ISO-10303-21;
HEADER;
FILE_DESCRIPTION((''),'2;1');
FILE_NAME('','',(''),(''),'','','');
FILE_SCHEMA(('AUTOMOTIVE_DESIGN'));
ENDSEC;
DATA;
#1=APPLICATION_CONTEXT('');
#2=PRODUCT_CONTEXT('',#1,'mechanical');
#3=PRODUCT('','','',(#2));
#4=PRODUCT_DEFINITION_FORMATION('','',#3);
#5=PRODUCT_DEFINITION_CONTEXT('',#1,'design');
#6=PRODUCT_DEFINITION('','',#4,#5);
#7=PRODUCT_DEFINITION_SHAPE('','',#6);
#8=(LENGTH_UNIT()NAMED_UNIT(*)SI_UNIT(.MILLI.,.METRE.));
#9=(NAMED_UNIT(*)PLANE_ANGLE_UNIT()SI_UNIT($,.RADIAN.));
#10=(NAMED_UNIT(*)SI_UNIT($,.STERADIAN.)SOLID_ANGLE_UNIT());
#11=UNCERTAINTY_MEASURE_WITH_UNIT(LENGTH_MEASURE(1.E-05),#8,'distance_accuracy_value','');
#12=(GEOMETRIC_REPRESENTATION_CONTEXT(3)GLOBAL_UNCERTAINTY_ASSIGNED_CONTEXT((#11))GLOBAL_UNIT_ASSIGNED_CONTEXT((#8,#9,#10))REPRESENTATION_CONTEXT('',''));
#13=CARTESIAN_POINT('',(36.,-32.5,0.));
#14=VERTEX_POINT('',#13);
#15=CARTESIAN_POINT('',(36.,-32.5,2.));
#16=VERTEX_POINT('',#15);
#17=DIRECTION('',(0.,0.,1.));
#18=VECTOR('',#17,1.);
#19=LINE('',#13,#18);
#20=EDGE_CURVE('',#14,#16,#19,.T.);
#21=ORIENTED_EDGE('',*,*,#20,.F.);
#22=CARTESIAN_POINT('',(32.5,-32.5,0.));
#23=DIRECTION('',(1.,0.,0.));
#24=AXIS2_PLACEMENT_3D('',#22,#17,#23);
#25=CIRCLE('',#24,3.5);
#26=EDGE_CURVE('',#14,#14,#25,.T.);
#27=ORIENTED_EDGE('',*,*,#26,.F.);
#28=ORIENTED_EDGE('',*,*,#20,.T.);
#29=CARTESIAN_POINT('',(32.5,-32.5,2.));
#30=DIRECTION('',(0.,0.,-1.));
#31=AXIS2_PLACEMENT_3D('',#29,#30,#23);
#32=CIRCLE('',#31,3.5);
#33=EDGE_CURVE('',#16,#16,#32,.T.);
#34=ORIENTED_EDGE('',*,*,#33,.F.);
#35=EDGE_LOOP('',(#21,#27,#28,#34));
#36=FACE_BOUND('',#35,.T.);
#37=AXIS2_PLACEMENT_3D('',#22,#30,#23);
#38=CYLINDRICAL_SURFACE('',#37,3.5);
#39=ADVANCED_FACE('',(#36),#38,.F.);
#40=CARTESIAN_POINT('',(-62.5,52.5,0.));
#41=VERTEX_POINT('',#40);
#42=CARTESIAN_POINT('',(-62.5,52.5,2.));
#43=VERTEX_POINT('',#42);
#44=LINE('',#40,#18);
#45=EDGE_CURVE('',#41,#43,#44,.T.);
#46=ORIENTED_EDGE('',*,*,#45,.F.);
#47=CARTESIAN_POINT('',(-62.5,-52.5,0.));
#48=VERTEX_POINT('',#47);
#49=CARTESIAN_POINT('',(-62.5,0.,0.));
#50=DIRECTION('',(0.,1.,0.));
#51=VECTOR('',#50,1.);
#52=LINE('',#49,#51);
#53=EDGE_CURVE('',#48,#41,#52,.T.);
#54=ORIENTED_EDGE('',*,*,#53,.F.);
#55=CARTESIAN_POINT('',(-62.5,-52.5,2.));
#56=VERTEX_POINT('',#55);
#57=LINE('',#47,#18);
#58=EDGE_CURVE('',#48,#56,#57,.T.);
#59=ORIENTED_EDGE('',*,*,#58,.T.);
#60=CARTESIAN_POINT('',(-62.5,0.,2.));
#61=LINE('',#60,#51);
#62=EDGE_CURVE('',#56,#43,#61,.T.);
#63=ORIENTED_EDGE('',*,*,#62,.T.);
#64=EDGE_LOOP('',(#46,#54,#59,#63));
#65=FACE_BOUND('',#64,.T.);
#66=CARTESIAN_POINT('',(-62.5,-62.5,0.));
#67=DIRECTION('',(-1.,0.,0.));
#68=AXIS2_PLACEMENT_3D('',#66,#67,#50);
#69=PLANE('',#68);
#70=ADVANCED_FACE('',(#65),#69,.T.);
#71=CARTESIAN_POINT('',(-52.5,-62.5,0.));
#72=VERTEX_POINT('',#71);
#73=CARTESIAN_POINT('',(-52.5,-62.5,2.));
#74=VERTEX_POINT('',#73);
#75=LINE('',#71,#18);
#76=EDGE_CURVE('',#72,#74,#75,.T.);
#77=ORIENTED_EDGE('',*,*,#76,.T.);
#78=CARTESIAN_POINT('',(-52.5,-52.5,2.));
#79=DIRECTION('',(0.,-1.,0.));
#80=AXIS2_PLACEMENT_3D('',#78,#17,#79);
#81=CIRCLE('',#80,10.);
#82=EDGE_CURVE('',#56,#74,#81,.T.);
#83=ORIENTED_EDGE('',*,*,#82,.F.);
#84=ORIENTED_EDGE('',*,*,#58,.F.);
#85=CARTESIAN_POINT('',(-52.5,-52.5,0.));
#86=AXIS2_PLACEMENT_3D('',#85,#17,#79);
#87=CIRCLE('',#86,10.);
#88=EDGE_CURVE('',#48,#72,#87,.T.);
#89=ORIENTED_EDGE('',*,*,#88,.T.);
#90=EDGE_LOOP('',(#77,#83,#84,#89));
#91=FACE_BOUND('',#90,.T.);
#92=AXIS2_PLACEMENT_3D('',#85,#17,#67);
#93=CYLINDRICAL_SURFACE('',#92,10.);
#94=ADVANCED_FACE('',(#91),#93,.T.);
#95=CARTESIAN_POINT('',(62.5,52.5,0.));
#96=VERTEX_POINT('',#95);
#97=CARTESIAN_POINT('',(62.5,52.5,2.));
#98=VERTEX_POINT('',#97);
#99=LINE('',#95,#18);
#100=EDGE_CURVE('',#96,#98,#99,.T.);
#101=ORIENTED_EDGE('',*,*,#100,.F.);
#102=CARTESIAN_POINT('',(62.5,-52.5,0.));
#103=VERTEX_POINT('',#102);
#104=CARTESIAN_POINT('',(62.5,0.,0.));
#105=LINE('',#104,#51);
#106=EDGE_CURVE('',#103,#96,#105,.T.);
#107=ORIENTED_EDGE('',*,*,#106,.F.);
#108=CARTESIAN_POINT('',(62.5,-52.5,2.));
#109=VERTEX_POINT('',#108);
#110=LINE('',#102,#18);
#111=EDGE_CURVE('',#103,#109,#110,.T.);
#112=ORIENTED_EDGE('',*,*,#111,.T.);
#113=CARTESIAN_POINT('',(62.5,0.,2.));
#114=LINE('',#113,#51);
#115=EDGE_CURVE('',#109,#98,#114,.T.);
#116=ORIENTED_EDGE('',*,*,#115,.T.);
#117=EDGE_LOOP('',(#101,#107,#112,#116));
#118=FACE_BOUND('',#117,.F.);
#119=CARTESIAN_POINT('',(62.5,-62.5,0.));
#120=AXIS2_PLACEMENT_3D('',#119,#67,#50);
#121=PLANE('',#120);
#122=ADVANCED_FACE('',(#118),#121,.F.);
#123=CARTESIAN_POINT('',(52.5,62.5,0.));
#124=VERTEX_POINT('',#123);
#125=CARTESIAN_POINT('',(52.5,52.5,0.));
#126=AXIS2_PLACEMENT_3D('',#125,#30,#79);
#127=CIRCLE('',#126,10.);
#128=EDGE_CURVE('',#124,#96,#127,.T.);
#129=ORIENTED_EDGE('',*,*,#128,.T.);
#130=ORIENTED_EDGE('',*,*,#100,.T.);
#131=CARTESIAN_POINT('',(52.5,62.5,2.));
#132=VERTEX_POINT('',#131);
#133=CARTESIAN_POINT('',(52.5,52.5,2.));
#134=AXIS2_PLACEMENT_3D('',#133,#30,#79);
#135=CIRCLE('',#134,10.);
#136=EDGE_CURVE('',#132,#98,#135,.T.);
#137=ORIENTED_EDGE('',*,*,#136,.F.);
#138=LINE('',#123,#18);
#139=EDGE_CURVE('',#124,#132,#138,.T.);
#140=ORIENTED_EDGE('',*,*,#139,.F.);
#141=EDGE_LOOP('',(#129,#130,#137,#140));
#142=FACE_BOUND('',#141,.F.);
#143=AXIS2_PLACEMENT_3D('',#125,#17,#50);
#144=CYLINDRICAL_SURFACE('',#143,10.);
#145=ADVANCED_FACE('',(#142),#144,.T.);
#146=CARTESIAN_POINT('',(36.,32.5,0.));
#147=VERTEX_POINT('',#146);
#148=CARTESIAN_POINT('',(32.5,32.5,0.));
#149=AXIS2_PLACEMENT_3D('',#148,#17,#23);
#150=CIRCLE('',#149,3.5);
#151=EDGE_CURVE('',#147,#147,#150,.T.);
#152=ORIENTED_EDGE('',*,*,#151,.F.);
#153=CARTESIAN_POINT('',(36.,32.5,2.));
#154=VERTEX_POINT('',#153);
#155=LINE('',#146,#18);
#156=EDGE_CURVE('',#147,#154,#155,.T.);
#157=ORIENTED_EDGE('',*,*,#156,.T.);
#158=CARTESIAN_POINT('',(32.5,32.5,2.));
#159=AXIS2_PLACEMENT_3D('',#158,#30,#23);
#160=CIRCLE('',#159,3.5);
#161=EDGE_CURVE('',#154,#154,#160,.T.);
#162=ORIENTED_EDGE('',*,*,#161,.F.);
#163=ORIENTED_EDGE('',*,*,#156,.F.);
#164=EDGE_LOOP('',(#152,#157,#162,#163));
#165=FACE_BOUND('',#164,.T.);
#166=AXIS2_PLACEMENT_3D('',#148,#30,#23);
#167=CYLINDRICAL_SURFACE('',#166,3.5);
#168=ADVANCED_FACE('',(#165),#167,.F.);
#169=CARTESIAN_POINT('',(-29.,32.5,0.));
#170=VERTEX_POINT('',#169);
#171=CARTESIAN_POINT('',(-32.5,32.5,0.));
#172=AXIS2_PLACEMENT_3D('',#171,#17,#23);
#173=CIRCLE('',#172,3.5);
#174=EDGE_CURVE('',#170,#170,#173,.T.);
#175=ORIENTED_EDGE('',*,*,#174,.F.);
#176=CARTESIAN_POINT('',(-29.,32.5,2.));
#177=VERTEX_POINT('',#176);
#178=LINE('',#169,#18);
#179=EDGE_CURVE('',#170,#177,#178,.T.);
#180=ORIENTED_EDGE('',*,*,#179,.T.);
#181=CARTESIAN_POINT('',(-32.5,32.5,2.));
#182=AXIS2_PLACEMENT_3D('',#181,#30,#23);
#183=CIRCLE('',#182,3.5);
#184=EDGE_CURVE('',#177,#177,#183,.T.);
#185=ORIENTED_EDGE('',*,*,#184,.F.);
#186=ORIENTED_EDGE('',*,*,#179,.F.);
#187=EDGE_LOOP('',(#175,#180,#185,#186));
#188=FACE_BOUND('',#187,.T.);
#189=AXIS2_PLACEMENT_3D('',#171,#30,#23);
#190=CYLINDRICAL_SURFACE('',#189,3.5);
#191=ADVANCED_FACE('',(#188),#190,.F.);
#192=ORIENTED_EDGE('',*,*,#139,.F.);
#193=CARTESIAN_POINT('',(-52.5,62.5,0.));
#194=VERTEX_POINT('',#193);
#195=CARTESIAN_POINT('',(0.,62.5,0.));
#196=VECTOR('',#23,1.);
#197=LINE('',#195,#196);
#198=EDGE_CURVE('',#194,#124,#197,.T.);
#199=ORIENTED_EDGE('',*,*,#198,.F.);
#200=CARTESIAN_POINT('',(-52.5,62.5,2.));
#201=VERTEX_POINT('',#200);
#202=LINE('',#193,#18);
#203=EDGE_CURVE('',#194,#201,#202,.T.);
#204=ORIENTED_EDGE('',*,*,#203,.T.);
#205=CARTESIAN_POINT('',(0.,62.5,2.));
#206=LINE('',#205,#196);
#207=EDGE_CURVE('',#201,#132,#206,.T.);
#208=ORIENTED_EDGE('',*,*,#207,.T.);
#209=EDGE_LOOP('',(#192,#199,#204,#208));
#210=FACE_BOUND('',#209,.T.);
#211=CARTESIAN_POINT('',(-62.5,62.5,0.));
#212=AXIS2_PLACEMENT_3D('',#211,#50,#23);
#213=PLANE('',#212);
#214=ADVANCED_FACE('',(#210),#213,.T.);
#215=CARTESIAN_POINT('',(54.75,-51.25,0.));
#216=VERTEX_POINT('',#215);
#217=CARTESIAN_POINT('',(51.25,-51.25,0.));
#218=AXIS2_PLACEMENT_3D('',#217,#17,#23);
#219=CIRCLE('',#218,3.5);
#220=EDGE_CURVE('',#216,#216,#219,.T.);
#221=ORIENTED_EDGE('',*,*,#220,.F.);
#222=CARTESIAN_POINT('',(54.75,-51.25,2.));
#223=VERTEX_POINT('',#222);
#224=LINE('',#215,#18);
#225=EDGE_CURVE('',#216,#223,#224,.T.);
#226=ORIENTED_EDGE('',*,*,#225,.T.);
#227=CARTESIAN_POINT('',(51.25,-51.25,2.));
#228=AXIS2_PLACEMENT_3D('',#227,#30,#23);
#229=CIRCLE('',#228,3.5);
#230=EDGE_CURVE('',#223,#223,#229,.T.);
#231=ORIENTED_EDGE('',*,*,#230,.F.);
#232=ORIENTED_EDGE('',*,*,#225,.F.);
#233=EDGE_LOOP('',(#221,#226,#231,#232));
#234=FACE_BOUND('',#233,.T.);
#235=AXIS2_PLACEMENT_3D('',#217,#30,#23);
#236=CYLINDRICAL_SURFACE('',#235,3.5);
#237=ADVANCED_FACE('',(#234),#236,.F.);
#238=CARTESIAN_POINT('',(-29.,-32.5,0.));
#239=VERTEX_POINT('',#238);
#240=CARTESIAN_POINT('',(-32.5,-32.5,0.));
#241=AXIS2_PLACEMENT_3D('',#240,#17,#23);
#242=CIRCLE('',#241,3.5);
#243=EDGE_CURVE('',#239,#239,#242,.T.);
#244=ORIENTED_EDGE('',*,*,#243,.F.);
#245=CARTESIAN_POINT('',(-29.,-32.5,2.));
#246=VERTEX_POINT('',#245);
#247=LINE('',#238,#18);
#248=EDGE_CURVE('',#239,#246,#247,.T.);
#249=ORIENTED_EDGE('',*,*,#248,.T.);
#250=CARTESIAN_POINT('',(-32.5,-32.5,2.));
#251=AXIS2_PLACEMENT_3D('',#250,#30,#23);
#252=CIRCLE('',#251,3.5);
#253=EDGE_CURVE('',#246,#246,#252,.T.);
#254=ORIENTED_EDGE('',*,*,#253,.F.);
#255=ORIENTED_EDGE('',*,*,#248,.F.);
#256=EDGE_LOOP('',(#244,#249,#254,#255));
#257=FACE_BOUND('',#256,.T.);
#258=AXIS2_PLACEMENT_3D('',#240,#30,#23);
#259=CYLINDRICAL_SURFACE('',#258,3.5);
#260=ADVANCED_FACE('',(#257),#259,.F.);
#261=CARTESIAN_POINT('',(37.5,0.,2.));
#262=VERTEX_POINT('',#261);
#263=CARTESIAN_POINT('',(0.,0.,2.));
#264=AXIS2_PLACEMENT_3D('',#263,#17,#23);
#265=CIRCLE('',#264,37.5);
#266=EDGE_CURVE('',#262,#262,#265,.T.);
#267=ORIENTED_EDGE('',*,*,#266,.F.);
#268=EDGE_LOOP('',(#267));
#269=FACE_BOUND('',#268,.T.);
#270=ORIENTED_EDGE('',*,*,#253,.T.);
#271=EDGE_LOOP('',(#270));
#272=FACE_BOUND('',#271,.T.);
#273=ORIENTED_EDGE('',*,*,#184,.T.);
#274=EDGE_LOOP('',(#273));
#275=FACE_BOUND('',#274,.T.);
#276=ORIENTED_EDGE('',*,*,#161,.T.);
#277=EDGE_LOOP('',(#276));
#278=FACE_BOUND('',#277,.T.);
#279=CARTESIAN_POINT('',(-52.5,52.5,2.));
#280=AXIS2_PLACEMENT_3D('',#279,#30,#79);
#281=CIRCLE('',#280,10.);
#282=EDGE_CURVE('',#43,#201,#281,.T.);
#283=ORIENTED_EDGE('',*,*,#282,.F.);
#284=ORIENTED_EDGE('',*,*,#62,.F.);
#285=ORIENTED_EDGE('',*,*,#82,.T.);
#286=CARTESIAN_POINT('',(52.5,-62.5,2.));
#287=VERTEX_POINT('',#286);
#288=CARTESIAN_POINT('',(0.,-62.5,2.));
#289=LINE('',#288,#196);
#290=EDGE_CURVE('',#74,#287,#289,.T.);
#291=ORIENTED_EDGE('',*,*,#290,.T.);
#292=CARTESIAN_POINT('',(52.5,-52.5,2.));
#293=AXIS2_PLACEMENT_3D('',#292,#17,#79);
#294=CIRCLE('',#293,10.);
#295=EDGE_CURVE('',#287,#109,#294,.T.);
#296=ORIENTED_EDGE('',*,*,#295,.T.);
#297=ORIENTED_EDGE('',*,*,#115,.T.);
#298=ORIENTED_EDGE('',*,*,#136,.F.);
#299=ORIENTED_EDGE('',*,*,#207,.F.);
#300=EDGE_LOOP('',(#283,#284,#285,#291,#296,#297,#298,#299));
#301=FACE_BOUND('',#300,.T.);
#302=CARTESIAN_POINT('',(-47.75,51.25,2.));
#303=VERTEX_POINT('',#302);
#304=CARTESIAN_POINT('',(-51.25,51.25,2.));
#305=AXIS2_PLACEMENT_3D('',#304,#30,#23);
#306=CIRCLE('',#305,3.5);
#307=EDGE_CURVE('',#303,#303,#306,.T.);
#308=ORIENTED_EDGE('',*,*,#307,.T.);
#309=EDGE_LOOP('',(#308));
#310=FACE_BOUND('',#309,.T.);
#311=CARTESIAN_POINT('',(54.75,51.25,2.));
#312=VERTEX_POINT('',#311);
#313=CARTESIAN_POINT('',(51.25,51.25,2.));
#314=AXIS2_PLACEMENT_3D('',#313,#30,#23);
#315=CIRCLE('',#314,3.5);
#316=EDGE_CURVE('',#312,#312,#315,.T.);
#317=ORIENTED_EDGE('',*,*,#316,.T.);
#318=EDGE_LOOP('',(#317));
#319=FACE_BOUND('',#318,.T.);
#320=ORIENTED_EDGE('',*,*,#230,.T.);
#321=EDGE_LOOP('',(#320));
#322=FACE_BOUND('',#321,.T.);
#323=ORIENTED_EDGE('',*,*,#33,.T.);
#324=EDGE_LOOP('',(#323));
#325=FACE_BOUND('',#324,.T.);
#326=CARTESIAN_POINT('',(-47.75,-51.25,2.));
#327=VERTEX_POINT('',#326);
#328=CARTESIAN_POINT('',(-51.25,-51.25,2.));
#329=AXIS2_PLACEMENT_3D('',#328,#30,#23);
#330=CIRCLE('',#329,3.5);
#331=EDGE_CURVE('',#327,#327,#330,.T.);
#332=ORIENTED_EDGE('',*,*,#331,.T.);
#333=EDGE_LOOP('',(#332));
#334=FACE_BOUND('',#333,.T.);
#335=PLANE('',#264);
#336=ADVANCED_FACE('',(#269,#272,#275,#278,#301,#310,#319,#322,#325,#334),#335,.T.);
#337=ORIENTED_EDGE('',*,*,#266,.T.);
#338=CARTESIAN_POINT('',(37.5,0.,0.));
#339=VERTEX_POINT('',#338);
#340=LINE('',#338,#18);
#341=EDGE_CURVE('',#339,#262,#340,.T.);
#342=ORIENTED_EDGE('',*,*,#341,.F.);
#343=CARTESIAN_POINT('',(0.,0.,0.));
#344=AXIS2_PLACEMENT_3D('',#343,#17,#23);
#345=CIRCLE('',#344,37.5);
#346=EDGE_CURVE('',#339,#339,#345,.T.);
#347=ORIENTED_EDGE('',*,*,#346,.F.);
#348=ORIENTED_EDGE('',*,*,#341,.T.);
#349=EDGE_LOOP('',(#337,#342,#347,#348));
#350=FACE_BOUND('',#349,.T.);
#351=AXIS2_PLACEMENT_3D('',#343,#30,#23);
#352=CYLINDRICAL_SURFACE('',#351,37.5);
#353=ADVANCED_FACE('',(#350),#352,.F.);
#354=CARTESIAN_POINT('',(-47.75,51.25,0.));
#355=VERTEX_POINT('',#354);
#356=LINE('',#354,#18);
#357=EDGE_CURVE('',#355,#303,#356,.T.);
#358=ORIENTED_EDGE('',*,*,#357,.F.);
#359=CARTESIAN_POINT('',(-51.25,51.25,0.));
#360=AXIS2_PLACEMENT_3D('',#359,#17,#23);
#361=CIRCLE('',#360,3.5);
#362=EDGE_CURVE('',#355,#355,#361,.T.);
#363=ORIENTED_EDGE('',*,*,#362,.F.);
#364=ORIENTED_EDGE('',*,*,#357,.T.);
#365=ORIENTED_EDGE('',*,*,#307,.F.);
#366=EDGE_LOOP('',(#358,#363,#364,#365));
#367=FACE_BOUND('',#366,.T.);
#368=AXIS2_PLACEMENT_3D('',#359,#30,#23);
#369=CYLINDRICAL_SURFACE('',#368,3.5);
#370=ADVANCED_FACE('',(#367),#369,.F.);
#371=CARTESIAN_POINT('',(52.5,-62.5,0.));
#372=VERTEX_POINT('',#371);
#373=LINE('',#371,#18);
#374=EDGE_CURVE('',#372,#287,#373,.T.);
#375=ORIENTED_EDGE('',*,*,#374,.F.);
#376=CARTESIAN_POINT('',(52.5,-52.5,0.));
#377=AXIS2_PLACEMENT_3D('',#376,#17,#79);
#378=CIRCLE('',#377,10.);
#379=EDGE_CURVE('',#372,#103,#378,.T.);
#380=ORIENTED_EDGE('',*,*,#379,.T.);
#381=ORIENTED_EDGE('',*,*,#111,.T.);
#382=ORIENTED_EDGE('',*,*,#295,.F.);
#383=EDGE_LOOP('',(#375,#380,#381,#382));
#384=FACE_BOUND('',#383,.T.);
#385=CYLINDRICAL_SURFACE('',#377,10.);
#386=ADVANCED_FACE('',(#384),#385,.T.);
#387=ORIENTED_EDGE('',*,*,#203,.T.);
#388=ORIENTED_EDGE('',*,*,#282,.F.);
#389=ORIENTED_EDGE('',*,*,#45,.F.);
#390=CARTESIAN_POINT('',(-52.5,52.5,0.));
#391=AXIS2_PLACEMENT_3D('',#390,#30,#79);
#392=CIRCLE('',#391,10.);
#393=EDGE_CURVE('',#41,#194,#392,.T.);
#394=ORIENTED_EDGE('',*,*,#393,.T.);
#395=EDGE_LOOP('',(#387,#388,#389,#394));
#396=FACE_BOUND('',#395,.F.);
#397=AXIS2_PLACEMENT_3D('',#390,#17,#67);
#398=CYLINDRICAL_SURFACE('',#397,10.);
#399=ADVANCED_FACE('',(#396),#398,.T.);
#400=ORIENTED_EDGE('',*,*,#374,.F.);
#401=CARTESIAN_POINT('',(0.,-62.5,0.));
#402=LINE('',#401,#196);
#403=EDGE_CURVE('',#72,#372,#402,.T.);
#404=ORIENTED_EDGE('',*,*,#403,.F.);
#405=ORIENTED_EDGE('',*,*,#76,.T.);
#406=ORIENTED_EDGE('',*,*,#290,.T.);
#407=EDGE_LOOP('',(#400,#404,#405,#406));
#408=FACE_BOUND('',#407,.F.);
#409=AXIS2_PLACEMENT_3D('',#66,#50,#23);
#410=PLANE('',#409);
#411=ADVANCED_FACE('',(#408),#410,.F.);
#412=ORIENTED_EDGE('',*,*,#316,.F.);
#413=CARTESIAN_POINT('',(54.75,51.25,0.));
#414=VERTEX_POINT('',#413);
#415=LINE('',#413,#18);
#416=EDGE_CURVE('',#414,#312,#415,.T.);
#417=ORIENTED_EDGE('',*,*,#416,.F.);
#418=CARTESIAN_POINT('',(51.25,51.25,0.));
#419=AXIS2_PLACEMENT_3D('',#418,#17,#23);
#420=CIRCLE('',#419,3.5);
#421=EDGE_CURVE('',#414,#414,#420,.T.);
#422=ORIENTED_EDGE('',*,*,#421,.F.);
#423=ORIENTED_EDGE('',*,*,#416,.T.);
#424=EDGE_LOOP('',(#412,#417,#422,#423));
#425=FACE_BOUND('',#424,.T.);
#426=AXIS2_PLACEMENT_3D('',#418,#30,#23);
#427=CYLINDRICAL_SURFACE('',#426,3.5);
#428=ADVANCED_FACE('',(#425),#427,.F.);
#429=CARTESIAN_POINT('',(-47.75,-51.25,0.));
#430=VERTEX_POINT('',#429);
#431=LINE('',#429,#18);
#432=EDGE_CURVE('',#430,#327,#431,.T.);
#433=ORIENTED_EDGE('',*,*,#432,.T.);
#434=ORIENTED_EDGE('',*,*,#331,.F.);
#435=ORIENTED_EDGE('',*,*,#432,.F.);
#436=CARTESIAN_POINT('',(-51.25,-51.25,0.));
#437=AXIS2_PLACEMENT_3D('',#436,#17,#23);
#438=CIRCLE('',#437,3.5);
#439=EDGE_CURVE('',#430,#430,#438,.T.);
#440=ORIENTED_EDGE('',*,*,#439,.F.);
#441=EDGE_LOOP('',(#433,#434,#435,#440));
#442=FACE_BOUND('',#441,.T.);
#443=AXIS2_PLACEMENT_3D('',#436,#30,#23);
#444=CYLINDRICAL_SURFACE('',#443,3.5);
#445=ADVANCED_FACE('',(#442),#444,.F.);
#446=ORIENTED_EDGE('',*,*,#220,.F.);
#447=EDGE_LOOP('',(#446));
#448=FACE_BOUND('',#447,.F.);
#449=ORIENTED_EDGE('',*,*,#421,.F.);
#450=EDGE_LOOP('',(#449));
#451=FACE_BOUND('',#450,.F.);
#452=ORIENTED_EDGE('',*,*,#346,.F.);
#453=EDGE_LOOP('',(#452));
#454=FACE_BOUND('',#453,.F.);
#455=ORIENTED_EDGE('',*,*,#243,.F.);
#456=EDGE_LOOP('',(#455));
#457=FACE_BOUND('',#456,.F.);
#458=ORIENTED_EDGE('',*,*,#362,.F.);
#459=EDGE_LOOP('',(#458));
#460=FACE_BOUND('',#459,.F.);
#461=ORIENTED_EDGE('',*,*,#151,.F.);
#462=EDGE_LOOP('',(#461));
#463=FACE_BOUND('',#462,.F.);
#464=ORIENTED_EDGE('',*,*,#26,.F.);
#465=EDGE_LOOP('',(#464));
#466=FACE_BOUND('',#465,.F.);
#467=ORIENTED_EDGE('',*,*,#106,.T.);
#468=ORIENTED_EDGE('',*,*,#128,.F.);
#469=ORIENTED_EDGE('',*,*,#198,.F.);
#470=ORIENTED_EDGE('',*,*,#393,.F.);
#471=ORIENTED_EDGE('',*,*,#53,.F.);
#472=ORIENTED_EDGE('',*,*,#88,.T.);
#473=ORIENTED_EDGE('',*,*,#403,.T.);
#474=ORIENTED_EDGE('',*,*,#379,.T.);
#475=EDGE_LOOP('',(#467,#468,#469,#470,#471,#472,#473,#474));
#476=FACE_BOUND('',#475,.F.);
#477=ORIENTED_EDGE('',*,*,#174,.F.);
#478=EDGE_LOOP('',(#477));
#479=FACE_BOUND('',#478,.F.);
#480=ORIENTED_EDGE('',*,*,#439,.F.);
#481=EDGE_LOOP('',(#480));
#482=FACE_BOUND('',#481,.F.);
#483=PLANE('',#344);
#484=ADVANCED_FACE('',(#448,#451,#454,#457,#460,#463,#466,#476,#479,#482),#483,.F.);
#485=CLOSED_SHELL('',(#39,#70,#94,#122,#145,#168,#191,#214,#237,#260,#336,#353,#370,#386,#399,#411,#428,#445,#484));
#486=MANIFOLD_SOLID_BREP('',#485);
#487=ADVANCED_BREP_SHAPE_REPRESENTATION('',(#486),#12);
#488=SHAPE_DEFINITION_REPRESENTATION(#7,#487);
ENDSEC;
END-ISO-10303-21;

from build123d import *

# Parameters (mm, degrees)
F0_W     = 125
F0_H     = 125
F0_R     = 37.5
F1_DEPTH = 2
F2_R     = 3.5
F3_DEPTH = 2.001
F4_R     = 10


with BuildPart() as f1:
    # F0 (on Top) → F1 (new body)
    with BuildSketch(Plane.XY):
        Rectangle(F0_W, F0_H)
        Circle(F0_R, mode=Mode.SUBTRACT)
    extrude(amount=F1_DEPTH)

    # F2 (on Top) → F3 (cut, through all)
    with BuildSketch(Plane.XY):
        with Locations((-51.25, 51.25)):
            Circle(F2_R)
        with Locations((51.25, 51.25)):
            Circle(F2_R)
        with Locations((-51.25, -51.25)):
            Circle(F2_R)
        with Locations((51.25, -51.25)):
            Circle(F2_R)
        with Locations((-32.5, 32.5)):
            Circle(F2_R)
        with Locations((32.5, 32.5)):
            Circle(F2_R)
        with Locations((-32.5, -32.5)):
            Circle(F2_R)
        with Locations((32.5, -32.5)):
            Circle(F2_R)
    extrude(amount=F3_DEPTH, mode=Mode.SUBTRACT)

    # F4
    f4_edges = [f1.edges().sort_by_distance(p)[0] for p in [
        (62.5, -62.5, 1),
        (62.5, 62.5, 1),
        (-62.5, -62.5, 1),
        (-62.5, 62.5, 1),
    ]]
    fillet(f4_edges, radius=F4_R)


solid = f1.part
